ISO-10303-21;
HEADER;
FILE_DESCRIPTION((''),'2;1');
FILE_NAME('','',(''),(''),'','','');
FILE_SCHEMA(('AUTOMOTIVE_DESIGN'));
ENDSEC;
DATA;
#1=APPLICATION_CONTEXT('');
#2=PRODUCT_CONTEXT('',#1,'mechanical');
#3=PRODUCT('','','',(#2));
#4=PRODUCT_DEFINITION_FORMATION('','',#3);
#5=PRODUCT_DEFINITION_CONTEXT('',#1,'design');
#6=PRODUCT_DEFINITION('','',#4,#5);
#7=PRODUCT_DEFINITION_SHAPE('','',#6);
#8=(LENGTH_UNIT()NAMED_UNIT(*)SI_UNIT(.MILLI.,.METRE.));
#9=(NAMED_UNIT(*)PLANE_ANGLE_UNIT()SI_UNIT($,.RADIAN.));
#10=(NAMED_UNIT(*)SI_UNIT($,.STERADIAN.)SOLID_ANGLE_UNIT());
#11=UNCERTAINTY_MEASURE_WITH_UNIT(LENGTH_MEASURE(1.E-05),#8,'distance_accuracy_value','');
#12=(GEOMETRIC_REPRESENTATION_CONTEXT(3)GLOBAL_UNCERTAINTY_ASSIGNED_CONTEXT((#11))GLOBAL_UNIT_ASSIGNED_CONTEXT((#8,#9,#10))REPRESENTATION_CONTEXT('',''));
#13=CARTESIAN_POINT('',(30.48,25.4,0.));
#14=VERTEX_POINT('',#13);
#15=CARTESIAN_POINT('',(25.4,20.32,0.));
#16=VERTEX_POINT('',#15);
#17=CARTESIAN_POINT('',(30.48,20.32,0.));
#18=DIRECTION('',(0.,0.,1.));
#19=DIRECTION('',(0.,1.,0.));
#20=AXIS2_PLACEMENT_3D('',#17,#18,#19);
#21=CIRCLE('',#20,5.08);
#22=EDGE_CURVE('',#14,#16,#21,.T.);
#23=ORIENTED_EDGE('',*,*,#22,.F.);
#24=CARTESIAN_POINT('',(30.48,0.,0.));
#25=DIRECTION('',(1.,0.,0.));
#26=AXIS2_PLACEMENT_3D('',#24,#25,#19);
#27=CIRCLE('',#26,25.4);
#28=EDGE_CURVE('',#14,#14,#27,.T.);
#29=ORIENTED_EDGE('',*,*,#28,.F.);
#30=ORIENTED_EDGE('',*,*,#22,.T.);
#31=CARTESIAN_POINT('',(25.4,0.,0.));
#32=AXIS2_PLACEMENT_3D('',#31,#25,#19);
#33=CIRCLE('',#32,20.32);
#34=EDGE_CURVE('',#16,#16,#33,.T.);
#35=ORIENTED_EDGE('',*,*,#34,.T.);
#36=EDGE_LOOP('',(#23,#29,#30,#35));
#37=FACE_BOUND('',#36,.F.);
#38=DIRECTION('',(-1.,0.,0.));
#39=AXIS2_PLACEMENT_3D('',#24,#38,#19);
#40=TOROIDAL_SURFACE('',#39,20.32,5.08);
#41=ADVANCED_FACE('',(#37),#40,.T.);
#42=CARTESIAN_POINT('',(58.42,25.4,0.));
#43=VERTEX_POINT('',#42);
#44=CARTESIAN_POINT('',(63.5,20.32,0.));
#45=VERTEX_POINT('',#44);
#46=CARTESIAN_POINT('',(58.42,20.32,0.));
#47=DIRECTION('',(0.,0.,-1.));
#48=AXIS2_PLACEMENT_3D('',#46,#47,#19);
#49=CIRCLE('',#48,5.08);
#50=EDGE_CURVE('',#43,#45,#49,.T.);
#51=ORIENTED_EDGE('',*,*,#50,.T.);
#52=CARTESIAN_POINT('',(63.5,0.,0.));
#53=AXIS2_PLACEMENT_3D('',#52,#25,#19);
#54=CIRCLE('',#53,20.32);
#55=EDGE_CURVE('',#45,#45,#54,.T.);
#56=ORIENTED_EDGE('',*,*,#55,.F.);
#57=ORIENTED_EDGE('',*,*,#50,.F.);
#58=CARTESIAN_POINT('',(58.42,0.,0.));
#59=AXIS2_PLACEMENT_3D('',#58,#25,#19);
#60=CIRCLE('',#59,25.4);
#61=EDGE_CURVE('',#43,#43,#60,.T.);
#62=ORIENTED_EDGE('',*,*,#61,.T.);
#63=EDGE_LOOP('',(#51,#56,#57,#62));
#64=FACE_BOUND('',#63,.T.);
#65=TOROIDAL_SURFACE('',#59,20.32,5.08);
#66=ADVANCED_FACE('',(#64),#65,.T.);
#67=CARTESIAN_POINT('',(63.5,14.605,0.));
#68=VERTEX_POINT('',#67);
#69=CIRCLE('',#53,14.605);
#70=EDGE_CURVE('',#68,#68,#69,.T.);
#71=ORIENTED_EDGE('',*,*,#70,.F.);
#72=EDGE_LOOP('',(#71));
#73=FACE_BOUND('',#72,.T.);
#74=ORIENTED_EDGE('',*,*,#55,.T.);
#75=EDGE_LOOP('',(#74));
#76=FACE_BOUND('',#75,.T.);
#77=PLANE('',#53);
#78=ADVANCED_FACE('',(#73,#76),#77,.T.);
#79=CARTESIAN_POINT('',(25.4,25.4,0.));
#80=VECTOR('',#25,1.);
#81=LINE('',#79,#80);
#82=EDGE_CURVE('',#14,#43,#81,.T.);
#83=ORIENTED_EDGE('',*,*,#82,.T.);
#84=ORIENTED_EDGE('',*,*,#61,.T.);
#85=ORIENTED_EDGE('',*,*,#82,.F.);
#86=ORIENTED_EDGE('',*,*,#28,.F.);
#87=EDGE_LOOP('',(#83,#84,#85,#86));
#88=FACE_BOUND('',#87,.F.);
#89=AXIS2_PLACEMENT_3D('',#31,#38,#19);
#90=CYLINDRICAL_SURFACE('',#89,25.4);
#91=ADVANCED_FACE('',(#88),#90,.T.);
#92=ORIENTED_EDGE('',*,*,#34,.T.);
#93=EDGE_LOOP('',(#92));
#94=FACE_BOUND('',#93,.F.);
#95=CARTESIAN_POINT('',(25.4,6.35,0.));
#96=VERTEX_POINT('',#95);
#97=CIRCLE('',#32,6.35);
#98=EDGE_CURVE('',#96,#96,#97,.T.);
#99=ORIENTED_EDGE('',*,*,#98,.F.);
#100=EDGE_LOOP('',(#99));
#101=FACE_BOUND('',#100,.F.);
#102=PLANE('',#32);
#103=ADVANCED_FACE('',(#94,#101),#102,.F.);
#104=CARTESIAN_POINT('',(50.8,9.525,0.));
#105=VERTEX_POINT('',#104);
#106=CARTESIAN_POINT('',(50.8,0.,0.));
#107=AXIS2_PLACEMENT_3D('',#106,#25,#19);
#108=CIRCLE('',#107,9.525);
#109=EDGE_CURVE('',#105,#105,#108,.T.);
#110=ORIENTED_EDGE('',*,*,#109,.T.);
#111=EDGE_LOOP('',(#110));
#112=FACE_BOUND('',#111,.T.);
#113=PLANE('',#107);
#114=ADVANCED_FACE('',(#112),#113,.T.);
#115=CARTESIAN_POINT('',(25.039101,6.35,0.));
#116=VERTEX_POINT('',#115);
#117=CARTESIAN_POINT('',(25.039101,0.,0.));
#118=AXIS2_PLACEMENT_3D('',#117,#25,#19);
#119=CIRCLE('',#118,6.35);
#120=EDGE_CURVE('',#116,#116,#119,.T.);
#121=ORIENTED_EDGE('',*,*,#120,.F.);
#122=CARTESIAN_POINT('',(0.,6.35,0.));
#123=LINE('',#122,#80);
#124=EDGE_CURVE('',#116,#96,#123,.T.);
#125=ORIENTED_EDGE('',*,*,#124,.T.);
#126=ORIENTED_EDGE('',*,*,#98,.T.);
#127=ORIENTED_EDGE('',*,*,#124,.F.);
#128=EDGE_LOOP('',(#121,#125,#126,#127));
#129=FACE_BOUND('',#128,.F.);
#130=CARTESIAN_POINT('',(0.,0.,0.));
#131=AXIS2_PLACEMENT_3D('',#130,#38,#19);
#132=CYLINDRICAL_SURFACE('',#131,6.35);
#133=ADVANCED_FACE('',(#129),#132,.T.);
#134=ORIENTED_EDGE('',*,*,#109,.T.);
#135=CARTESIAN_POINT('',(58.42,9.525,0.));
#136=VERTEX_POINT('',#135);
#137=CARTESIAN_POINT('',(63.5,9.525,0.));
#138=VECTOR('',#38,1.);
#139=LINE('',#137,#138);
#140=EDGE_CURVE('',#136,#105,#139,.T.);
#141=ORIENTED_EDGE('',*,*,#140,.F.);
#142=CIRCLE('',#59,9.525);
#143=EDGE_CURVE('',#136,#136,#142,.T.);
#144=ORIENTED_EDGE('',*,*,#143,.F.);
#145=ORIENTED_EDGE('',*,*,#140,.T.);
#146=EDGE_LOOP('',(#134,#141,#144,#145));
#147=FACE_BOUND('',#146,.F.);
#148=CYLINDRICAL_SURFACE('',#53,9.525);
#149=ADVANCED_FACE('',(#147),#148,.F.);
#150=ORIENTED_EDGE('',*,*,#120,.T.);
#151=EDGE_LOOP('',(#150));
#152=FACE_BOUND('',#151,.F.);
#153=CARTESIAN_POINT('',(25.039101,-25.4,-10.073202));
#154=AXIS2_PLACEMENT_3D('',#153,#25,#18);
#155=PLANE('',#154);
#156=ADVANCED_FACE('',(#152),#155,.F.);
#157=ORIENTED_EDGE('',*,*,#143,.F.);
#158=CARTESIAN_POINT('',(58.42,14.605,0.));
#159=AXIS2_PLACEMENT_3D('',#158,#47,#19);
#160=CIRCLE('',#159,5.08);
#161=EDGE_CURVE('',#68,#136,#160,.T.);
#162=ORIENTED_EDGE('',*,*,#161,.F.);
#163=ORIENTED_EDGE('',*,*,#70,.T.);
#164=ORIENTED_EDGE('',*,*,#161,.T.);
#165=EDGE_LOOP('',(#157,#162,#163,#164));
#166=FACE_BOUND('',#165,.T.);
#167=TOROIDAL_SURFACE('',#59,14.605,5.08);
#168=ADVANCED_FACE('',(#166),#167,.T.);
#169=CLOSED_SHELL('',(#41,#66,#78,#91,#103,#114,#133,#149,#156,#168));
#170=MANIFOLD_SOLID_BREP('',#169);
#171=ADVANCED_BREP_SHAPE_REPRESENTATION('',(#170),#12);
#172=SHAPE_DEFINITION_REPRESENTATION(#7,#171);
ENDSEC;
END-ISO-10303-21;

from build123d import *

# Parameters (mm, degrees)
F0_R      = 6.35
F1_DEPTH  = 25.4
F2_R      = 25.4
F3_DEPTH  = 38.1
F4_R      = 9.525
F5_DEPTH  = 12.7
F6_R      = 5.08
F7_W      = 38.8537757099
F7_H      = 29.6439938247
F8_DEPTH  = 25.4
F9_DEPTH  = 25.4
F10_DEPTH = 25.4
F11_DEPTH = 56.134


with BuildPart() as f1:
    # F0 (on Right) → F1 (new body)
    with BuildSketch(Plane.YZ):
        Circle(F0_R)
    extrude(amount=F1_DEPTH)

    # F2 (on face) → F3 (join)
    with BuildSketch(Plane.YZ.offset(25.4)):
        Circle(F2_R)
    extrude(amount=F3_DEPTH)

    # F4 (on face) → F5 (cut)
    with BuildSketch(Plane.YZ.offset(63.5)):
        Circle(F4_R)
    extrude(amount=-F5_DEPTH, mode=Mode.SUBTRACT)

    # F6
    f6_edges = [f1.edges().sort_by_distance(p)[0] for p in [
        (63.5, -25.4, 0),
        (63.5, -9.525, 0),
        (25.4, -25.4, 0),
    ]]
    fillet(f6_edges, radius=F6_R)

    # F7 (on Front) → F8 (join)
    with BuildSketch(Plane.XZ):
        with Locations((5.6122131646, 4.7487951815)):
            Rectangle(F7_W, F7_H)
    extrude(amount=F8_DEPTH)

    # F9 (add): a face of the model
    f9_faces = [f1.faces().sort_by_distance(p)[0] for p in [
        (2.9778278266, 0, 6.5599353899),
    ]]
    extrude(f9_faces, amount=F9_DEPTH)

    # F10 (cut): a face of the model
    f10_faces = [f1.faces().sort_by_distance(p)[0] for p in [
        (2.9778278266, 25.4, 6.5599353899),
    ]]
    extrude(f10_faces, amount=-F10_DEPTH, mode=Mode.SUBTRACT)

    # F11 (cut): a face of the model
    f11_faces = [f1.faces().sort_by_distance(p)[0] for p in [
        (5.6122131646, -25.4, 4.7487951815),
    ]]
    extrude(f11_faces, amount=-F11_DEPTH, mode=Mode.SUBTRACT)


solid = f1.part
